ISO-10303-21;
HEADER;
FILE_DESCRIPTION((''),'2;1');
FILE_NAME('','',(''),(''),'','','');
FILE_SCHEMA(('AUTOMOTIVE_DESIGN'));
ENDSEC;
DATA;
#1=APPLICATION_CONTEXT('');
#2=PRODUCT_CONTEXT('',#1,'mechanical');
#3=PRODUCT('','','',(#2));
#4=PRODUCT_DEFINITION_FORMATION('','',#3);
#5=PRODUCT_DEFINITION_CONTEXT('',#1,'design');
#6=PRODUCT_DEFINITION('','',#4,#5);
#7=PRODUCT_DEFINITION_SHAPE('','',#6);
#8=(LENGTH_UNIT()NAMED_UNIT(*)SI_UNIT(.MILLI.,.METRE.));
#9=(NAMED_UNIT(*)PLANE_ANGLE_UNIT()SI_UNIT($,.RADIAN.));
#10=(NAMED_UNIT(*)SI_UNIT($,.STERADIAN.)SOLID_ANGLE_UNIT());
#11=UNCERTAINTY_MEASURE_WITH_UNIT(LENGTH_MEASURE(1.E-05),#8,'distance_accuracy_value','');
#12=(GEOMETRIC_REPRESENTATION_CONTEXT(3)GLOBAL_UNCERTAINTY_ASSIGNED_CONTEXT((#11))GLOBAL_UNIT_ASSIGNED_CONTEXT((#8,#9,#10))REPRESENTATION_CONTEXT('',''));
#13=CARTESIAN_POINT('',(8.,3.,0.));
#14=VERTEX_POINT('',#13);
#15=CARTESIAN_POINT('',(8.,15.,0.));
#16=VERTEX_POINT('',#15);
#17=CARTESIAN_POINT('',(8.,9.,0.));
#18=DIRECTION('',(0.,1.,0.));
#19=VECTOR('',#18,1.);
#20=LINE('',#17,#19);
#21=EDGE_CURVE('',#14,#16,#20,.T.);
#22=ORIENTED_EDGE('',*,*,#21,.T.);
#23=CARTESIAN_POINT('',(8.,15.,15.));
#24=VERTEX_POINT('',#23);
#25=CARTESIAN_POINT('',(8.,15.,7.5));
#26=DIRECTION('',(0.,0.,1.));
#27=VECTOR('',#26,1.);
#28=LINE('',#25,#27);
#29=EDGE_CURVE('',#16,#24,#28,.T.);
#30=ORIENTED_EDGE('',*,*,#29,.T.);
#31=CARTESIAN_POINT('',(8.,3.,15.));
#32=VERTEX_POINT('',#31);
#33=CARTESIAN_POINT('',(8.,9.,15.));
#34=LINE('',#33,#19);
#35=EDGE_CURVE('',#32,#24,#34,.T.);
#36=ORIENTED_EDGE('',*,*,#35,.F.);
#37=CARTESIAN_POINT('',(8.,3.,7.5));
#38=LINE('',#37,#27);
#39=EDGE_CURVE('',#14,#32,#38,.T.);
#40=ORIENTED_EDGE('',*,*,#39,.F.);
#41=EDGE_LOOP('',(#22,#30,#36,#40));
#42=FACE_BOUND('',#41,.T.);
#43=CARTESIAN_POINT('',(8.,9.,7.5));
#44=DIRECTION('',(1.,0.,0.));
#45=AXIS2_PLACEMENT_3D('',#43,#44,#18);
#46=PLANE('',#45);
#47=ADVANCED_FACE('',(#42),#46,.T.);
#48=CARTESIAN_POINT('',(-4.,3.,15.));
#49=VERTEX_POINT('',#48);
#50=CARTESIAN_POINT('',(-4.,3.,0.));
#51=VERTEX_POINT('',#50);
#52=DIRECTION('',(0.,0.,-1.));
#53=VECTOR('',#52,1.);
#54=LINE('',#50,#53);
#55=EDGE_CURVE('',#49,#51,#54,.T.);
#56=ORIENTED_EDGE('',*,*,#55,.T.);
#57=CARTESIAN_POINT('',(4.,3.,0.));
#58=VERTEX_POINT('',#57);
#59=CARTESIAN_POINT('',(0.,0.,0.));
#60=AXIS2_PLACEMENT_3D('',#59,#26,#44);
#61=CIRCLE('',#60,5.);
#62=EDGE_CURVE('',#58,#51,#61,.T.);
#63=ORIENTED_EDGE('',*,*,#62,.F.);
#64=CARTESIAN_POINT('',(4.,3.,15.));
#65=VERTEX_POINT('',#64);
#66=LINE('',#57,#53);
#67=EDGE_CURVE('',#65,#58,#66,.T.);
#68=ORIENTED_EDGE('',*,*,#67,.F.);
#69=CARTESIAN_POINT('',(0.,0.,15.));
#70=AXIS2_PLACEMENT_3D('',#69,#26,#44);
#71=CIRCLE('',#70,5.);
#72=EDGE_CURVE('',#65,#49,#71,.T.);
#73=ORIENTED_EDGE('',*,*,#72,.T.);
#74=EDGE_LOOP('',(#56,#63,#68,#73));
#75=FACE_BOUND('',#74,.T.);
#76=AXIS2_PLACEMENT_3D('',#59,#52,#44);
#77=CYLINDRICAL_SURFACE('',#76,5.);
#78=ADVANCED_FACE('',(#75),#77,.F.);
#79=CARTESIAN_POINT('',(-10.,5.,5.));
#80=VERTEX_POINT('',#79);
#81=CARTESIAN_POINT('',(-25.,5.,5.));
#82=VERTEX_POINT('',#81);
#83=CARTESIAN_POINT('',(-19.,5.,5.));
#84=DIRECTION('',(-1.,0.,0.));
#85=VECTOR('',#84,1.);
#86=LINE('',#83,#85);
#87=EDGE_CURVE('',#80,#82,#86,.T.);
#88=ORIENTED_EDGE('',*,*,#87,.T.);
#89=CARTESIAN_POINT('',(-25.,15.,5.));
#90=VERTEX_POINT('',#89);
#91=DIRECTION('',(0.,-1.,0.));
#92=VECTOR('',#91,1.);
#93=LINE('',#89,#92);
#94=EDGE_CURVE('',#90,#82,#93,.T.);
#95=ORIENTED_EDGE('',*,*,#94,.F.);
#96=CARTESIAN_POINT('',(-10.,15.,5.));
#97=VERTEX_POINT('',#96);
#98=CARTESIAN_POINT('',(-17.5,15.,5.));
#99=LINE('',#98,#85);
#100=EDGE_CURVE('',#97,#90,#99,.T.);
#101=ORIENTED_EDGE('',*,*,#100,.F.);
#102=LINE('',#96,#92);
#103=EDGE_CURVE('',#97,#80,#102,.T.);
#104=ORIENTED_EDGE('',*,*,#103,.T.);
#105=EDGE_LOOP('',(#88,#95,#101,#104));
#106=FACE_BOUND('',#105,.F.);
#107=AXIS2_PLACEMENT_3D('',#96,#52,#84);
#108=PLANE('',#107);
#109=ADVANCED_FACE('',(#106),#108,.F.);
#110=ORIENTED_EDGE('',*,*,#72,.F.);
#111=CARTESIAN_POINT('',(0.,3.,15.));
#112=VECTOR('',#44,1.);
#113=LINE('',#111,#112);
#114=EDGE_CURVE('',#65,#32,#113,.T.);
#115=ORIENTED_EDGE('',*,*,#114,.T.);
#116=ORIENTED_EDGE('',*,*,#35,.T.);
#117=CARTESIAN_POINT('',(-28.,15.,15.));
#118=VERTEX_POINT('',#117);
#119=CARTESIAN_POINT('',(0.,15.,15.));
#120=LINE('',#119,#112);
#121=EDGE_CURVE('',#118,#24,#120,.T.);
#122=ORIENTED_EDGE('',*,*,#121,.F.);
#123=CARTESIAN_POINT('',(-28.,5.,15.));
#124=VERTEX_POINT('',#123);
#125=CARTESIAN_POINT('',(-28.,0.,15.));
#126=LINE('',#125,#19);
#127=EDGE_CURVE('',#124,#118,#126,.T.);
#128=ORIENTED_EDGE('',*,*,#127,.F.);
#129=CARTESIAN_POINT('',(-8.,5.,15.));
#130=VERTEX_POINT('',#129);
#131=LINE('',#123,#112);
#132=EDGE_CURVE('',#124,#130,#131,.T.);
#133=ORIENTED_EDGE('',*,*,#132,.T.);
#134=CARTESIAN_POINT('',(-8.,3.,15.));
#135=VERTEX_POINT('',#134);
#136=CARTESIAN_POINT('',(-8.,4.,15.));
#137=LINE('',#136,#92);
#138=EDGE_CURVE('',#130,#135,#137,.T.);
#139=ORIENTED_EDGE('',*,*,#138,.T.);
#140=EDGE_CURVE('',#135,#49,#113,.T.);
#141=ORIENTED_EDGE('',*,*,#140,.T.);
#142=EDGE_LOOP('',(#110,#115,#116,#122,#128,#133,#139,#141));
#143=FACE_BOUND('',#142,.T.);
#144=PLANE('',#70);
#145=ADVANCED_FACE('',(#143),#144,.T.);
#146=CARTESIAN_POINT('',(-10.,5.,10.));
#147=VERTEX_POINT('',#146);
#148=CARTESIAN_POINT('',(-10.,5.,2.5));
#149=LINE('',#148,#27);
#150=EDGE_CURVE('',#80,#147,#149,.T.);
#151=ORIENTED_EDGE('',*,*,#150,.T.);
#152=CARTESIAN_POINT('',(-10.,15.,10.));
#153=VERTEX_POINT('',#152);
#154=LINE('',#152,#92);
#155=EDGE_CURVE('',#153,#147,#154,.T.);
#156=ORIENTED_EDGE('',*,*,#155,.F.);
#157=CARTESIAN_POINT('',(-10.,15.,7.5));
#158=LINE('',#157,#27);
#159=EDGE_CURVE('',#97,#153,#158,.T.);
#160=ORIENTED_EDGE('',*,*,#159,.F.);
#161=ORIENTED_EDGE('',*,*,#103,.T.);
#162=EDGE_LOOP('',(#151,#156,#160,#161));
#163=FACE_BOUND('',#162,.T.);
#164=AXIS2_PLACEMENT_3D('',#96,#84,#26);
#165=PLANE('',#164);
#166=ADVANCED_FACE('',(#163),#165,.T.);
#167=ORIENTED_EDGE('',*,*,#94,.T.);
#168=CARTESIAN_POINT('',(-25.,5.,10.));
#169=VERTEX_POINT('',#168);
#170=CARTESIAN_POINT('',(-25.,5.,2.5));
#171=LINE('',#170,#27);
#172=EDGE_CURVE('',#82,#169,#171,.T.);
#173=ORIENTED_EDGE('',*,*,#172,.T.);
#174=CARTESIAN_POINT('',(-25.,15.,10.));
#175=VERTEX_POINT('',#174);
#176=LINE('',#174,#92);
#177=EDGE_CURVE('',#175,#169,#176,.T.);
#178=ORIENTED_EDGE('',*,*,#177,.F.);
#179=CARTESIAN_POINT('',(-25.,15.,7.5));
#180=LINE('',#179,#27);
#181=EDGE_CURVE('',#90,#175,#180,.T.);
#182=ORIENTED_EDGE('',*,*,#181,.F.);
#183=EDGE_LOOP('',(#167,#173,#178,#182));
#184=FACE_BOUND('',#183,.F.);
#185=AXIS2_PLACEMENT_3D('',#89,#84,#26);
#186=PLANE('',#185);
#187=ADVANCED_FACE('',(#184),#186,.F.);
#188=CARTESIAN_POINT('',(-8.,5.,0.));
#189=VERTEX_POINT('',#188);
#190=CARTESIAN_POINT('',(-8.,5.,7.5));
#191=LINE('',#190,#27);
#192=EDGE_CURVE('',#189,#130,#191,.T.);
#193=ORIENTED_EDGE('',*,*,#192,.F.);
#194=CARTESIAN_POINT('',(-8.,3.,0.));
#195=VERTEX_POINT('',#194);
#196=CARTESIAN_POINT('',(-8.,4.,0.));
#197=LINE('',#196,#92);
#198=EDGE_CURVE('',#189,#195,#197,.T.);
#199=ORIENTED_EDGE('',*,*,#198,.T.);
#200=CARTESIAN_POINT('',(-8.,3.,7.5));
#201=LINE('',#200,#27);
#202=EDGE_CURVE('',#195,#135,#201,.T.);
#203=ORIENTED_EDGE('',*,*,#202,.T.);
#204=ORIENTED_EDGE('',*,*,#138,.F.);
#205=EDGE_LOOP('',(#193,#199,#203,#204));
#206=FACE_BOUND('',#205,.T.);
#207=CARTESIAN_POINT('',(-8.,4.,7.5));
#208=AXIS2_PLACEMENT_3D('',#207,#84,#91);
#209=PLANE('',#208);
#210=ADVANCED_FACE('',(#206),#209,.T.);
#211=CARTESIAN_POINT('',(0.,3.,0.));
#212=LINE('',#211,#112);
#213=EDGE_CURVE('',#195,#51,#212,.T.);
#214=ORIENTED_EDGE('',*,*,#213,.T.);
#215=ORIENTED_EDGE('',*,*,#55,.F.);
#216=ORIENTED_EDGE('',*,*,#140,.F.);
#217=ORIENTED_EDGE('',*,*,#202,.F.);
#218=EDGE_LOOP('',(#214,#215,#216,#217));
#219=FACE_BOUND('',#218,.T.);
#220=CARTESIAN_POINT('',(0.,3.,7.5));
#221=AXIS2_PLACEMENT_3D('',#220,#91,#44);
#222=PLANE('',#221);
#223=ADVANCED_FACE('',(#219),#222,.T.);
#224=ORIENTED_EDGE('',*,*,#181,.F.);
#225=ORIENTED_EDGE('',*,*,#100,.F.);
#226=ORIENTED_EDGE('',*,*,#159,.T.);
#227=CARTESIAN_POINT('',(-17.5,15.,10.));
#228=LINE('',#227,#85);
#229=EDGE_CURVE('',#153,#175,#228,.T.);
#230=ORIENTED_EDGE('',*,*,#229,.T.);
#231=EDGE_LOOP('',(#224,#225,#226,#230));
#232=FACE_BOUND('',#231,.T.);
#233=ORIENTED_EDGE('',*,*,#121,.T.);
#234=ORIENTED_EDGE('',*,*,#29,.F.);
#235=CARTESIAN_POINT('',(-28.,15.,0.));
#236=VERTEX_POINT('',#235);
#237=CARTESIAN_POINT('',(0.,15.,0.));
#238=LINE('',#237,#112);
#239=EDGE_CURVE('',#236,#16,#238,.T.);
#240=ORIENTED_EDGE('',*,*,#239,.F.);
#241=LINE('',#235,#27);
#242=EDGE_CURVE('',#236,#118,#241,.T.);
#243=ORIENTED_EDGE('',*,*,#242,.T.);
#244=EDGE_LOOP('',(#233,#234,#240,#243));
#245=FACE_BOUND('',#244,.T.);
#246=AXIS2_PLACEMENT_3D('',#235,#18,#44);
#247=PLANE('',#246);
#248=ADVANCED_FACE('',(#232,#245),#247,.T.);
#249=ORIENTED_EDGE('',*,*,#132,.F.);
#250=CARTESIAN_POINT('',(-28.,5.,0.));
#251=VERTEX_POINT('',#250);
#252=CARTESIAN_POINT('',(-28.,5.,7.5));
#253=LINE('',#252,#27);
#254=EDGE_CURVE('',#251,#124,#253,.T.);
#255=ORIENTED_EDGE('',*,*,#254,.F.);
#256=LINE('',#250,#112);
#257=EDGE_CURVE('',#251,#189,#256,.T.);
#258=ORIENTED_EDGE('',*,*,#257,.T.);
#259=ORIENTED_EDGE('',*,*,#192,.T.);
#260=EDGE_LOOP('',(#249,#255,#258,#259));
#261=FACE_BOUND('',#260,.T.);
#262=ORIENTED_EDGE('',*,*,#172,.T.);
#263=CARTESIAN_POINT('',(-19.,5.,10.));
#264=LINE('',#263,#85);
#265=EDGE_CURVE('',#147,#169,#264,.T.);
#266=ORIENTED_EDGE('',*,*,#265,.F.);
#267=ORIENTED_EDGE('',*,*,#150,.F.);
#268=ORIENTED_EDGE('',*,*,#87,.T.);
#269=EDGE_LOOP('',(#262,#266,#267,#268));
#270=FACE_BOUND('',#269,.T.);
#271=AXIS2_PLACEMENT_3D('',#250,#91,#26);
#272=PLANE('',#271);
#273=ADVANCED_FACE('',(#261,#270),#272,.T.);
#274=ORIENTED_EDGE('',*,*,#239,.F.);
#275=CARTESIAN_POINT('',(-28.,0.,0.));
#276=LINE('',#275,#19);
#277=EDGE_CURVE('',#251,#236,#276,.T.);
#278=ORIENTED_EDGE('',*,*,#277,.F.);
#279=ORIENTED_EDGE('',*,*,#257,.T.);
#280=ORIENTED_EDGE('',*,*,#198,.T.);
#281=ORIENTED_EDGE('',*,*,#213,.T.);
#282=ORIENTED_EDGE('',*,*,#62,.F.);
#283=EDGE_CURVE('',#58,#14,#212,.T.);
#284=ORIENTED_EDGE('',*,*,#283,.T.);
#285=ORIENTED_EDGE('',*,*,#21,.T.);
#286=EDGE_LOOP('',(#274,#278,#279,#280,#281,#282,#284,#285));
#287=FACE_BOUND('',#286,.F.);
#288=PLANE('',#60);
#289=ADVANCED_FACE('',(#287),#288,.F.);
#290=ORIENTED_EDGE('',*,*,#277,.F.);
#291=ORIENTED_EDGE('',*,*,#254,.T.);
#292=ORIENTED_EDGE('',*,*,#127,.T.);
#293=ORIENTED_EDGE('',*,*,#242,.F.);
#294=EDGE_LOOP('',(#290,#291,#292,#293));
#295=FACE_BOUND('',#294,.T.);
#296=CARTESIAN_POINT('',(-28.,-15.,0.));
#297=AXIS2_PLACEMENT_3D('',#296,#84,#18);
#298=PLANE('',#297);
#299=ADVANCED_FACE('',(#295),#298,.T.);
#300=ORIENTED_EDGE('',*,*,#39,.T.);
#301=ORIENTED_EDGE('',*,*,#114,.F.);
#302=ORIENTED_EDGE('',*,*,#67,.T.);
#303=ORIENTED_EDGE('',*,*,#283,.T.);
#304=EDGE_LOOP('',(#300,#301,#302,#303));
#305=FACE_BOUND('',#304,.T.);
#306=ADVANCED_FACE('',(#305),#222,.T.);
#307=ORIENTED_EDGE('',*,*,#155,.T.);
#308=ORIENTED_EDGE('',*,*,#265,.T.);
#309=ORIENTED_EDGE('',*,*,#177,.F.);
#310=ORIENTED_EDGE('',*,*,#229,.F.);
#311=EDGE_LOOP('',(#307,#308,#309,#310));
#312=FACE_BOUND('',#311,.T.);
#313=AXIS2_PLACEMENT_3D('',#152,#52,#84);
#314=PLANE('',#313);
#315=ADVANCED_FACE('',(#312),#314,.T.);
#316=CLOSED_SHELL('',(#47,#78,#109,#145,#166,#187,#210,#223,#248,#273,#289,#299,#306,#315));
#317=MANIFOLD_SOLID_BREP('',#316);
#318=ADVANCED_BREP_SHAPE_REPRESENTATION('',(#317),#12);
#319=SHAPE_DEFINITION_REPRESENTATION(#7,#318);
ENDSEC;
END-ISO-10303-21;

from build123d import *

# Parameters (mm, degrees)
F0_W     = 56
F0_H     = 30
F0_R     = 5
F1_DEPTH = 15
F2_W     = 56
F2_H     = 15
F3_DEPTH = 18
F4_W     = 15
F4_H     = 5
F5_DEPTH = 25
F6_W     = 2
F6_H     = 15
F7_DEPTH = 20
F8_W     = 12
F8_H     = 15
F9_DEPTH = 20


with BuildPart() as f1:
    # F0 (on Top) → F1 (new body)
    with BuildSketch(Plane.XY):
        Rectangle(F0_W, F0_H)
        Circle(F0_R, mode=Mode.SUBTRACT)
    extrude(amount=F1_DEPTH)

    # F2 (on face) → F3 (cut)
    with BuildSketch(Plane.XZ.offset(15)):
        with Locations((0, 7.5)):
            Rectangle(F2_W, F2_H)
    extrude(amount=-F3_DEPTH, mode=Mode.SUBTRACT)

    # F4 (on face) → F5 (cut)
    with BuildSketch(Plane(origin=(0, 15, 0), x_dir=(-1, 0, 0), z_dir=(0, 1, 0))):
        with Locations((17.5, 7.5)):
            Rectangle(F4_W, F4_H)
    extrude(amount=-F5_DEPTH, mode=Mode.SUBTRACT)

    # F6 (on face) → F7 (cut)
    with BuildSketch(Plane(origin=(-28, 0, 0), x_dir=(0, -1, 0), z_dir=(-1, 0, 0))):
        with Locations((-4, 7.5)):
            Rectangle(F6_W, F6_H)
    extrude(amount=-F7_DEPTH, mode=Mode.SUBTRACT)

    # F8 (on face) → F9 (cut)
    with BuildSketch(Plane.YZ.offset(28)):
        with Locations((9, 7.5)):
            Rectangle(F8_W, F8_H)
    extrude(amount=-F9_DEPTH, mode=Mode.SUBTRACT)


solid = f1.part
